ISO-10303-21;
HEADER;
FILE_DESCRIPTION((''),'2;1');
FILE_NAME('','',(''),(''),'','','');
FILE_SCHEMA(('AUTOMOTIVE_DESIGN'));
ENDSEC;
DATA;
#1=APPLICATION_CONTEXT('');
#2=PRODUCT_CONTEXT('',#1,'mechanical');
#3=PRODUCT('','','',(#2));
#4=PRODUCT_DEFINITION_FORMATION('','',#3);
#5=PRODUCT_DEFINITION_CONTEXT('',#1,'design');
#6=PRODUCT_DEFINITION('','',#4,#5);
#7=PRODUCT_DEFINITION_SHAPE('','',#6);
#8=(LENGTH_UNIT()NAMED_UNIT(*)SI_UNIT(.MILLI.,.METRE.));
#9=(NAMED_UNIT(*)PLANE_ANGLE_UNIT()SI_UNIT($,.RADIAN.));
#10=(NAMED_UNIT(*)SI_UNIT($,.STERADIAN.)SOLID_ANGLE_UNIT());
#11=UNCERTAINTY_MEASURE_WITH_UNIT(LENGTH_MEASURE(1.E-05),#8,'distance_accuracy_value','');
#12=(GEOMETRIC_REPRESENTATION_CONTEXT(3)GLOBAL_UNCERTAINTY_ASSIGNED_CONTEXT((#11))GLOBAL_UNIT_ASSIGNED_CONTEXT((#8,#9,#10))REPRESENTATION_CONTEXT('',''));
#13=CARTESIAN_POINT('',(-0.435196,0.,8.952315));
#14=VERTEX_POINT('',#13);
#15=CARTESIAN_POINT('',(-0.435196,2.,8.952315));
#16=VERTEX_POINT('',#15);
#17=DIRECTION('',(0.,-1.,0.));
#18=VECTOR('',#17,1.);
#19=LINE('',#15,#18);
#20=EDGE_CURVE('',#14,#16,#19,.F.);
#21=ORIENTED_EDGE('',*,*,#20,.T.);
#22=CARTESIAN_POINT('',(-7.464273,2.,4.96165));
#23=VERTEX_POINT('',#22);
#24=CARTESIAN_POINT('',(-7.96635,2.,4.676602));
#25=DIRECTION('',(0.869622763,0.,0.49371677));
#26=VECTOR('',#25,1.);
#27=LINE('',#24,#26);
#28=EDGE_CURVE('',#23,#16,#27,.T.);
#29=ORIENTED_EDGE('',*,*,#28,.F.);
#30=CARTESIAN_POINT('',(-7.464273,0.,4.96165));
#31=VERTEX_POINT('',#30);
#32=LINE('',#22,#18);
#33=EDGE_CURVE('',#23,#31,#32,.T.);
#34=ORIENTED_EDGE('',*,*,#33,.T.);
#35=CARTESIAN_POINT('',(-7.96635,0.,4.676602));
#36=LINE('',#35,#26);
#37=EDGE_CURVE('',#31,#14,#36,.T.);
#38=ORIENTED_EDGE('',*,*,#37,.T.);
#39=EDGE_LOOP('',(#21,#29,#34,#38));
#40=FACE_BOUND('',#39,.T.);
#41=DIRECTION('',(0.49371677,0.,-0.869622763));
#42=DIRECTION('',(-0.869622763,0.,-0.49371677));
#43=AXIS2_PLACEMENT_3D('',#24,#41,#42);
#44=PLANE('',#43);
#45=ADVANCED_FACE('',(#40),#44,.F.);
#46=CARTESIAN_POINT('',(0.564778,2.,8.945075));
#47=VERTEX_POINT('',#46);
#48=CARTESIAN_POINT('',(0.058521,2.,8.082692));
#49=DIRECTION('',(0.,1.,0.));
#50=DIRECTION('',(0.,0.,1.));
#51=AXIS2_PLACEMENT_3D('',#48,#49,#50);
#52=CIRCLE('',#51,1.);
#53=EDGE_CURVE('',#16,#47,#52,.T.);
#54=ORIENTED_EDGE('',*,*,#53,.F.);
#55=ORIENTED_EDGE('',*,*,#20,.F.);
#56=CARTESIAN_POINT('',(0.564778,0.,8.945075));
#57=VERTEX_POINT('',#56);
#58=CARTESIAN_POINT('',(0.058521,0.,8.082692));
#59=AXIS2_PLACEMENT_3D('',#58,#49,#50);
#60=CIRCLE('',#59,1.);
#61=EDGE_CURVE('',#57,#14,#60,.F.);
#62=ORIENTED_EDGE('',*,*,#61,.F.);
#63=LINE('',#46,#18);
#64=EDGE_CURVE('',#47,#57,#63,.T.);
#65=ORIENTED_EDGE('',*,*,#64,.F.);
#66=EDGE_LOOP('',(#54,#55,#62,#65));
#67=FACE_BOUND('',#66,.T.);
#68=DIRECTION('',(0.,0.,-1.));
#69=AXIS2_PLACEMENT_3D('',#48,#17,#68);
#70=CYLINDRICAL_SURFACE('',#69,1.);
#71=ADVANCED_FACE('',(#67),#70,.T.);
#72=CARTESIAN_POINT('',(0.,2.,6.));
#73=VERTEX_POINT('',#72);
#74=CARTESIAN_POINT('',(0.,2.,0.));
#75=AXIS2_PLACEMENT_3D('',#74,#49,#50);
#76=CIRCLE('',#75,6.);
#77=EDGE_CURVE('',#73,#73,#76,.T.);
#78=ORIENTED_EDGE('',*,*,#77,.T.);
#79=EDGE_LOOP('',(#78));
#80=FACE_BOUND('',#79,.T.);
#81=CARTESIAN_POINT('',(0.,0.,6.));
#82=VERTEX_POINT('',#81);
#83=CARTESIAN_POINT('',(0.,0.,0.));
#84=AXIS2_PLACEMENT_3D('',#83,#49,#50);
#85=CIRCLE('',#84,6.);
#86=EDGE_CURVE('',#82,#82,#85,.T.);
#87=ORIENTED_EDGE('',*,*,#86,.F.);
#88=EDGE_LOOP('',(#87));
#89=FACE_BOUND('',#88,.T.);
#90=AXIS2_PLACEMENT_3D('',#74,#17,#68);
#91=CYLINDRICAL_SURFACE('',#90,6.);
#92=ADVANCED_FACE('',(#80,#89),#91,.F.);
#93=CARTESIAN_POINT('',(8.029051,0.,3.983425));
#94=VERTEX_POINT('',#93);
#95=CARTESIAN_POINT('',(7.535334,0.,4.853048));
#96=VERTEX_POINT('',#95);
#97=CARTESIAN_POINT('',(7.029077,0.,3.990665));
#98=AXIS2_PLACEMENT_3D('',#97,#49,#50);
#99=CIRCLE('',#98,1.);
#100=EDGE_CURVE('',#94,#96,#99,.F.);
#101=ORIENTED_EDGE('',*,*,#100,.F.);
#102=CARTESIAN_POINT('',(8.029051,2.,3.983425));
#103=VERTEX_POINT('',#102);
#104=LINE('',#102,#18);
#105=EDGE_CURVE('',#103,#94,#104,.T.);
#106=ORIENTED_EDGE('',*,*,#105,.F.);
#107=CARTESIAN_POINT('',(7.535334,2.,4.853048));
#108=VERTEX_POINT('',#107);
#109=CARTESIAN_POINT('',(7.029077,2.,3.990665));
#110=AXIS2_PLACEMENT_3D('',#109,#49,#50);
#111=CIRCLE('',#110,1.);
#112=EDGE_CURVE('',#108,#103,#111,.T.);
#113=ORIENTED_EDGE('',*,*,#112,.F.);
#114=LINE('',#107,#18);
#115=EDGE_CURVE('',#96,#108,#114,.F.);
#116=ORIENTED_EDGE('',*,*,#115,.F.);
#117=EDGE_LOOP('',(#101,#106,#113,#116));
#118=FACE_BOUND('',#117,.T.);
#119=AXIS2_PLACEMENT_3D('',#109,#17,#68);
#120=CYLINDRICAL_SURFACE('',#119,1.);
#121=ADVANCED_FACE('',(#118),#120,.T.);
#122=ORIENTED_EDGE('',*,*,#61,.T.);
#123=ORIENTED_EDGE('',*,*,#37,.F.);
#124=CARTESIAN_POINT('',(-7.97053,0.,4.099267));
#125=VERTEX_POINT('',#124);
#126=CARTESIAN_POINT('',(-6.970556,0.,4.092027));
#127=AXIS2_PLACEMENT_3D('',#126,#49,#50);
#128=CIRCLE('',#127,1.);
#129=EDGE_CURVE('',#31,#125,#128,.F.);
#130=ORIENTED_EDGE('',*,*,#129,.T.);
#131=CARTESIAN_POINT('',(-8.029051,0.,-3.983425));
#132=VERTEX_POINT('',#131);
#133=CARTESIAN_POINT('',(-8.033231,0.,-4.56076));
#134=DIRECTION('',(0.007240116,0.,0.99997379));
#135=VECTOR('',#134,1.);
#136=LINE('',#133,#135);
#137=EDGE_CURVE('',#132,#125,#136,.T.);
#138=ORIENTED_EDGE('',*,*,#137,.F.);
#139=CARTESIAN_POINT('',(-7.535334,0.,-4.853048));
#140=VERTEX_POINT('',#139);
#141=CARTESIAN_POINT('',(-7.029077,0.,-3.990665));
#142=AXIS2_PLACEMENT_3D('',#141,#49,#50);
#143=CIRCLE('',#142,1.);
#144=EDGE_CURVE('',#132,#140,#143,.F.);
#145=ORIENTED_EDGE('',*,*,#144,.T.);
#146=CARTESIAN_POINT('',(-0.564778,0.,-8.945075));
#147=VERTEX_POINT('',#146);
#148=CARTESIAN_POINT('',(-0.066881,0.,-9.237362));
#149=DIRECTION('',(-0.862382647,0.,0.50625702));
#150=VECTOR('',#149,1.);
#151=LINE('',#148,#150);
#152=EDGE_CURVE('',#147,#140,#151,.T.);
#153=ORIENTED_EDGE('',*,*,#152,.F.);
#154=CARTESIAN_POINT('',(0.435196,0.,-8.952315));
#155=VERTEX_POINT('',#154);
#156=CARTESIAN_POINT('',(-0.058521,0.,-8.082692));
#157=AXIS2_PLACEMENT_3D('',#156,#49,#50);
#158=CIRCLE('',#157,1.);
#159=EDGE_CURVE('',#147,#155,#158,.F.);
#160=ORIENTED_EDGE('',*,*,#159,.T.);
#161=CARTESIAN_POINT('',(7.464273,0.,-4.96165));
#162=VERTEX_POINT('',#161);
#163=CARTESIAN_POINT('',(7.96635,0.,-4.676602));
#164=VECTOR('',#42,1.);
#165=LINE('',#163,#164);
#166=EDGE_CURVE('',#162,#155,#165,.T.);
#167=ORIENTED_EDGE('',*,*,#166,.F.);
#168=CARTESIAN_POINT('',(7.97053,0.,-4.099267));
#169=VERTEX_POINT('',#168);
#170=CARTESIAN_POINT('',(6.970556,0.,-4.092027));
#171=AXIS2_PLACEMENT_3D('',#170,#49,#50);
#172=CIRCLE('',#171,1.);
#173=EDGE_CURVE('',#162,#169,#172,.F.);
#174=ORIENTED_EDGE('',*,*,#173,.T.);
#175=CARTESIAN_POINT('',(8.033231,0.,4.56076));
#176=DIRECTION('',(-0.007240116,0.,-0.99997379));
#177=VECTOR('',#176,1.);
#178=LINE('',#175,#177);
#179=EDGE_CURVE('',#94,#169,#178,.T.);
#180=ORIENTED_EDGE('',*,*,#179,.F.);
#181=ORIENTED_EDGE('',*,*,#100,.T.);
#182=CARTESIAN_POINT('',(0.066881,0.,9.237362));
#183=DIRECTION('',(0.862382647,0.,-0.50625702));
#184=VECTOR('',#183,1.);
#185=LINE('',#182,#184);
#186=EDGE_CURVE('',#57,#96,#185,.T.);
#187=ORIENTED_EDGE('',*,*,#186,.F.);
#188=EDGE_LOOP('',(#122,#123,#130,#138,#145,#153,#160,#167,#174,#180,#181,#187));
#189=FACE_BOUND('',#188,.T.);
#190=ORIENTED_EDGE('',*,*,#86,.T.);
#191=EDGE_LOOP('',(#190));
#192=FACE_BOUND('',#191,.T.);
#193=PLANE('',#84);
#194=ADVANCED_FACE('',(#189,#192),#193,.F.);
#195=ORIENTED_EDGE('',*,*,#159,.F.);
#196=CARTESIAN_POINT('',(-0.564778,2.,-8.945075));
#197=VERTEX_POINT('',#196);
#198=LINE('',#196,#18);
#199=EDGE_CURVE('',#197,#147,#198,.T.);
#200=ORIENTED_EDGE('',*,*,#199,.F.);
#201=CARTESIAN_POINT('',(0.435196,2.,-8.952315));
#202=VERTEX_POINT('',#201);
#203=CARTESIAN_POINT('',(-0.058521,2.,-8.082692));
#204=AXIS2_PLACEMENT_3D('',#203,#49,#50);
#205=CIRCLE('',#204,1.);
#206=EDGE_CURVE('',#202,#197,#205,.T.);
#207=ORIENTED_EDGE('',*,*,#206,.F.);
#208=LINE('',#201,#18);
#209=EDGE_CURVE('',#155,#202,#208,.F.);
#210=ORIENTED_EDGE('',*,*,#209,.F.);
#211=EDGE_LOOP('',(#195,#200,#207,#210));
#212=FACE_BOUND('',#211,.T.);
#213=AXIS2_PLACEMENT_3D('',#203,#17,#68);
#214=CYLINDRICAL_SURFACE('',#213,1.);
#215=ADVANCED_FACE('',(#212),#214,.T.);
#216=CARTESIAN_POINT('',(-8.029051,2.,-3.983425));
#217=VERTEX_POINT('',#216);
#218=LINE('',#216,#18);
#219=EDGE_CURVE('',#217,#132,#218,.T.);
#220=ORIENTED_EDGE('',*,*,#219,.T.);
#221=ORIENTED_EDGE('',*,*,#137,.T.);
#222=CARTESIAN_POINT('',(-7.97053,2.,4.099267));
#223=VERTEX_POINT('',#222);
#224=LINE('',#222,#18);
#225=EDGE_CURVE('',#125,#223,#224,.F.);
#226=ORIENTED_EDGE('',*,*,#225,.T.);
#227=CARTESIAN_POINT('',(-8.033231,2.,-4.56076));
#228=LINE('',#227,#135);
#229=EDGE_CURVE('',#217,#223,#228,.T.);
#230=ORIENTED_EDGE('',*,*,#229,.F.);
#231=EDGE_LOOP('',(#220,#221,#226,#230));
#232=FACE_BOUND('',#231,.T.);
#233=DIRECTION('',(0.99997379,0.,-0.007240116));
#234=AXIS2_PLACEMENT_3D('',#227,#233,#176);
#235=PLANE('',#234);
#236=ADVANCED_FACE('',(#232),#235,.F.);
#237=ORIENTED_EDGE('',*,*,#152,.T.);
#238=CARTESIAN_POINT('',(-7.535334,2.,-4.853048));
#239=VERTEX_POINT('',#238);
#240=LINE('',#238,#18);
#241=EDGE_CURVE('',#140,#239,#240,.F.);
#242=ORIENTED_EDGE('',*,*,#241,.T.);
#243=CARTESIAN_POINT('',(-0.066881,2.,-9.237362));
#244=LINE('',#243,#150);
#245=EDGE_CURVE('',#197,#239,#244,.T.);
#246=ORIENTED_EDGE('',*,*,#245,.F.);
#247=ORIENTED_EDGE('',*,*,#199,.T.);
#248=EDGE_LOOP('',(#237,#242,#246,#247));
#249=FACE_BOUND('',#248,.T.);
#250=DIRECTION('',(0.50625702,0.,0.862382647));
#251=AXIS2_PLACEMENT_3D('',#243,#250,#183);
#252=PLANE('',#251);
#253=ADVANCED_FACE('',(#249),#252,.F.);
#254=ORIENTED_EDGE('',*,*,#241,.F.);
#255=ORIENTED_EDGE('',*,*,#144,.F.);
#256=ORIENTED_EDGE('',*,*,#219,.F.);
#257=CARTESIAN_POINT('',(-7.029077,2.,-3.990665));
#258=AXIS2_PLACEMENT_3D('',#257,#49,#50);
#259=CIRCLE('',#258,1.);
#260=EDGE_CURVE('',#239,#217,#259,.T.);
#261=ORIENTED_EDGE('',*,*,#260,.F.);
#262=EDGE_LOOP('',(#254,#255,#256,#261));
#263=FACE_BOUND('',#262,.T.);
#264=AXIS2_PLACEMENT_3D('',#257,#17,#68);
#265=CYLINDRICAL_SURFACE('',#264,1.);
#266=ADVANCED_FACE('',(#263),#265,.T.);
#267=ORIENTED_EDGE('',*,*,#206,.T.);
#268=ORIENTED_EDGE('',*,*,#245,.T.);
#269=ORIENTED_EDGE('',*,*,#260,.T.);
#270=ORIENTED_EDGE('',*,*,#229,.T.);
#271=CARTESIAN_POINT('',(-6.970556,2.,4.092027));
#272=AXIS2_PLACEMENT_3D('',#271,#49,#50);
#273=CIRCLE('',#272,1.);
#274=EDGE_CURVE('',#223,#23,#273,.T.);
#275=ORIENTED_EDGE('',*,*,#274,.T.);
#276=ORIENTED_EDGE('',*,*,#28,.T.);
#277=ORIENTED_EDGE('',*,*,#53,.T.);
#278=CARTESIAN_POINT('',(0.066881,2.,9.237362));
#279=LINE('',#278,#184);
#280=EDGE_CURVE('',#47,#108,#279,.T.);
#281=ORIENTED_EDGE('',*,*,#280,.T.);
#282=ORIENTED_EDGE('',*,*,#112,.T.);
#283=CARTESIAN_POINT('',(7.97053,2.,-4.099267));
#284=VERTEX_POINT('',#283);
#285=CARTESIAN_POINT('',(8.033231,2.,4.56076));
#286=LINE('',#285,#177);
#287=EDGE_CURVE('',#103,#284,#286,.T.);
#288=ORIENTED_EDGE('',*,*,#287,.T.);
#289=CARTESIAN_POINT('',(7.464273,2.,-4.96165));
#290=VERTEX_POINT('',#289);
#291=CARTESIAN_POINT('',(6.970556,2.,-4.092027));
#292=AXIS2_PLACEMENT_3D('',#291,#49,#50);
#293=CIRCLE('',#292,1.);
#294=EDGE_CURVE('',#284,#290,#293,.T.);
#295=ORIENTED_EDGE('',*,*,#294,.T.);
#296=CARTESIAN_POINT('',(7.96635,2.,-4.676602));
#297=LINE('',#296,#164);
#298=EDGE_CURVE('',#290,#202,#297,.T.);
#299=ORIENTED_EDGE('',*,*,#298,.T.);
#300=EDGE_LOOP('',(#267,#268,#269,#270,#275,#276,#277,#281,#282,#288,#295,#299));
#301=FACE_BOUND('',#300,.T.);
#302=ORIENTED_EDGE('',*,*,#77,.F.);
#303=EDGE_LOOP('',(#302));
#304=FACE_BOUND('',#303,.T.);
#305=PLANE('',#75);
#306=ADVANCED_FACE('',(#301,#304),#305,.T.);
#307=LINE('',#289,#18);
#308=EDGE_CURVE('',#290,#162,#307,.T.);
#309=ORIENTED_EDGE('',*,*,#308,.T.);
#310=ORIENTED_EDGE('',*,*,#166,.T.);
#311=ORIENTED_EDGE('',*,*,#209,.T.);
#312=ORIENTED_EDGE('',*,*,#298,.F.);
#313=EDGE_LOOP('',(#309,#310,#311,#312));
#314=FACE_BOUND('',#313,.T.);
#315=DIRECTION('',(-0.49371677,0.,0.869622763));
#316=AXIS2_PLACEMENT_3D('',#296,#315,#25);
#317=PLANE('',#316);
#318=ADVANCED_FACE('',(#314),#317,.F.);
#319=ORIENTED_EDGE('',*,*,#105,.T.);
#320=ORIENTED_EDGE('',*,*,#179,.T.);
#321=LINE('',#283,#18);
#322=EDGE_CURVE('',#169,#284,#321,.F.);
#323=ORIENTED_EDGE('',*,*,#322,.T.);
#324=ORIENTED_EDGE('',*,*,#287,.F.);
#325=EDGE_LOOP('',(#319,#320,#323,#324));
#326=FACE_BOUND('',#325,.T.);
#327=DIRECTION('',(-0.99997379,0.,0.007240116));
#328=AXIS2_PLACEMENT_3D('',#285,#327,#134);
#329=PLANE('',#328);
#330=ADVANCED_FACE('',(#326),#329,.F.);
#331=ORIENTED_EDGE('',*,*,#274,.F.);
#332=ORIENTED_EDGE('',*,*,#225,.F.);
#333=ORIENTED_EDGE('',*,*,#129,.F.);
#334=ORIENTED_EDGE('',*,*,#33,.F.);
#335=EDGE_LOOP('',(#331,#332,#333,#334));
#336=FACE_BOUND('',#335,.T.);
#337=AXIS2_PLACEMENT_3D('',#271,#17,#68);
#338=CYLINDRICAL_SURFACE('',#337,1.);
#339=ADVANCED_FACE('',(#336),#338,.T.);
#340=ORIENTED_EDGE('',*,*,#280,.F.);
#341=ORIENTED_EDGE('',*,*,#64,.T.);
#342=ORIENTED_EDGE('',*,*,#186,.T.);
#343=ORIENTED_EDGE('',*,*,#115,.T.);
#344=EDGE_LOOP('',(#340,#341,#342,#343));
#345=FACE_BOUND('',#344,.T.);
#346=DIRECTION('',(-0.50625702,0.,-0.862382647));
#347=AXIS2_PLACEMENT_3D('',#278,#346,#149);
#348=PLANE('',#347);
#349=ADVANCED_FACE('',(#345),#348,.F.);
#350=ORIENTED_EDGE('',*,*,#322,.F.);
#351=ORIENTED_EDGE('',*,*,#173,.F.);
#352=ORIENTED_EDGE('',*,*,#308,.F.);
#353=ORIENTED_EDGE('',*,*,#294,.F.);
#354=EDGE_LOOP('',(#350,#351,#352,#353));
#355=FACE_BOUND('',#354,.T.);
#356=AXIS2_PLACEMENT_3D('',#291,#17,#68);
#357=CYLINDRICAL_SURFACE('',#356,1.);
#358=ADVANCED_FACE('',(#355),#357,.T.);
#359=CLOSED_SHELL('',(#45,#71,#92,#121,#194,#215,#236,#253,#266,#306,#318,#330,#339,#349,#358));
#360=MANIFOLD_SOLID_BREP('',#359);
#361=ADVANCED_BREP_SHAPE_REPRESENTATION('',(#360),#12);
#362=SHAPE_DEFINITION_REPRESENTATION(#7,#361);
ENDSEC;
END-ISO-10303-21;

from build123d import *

# Parameters (mm, degrees)
SKETCH1_R           = 6
BOSS_EXTRUDE1_DEPTH = 2
FILLET1_R           = 1


with BuildPart() as part:
    # Sketch1 → Boss-Extrude1 (new body)
    with BuildSketch(Plane(origin=(0, 0, 0), x_dir=(1, 0, 0), z_dir=(0, 1, 0))):
        Polygon((7.966349656, 4.676602025), (-0.066881329, 9.23736219), (-8.033230985, 4.560760165), (-7.966349656, -4.676602025), (0.066881329, -9.23736219), (8.033230985, -4.560760165), align=None)
        Circle(SKETCH1_R, mode=Mode.SUBTRACT)
    extrude(amount=BOSS_EXTRUDE1_DEPTH)

    # Fillet1
    fillet1_edges = [part.edges().sort_by_distance(p)[0] for p in [
        (8.033230985, 1, 4.560760165),
        (0.066881329, 1, 9.23736219),
        (-7.966349656, 1, 4.676602025),
        (-8.033230985, 1, -4.560760165),
        (-0.066881329, 1, -9.23736219),
        (7.966349656, 1, -4.676602025),
    ]]
    fillet(fillet1_edges, radius=FILLET1_R)


solid = part.part
